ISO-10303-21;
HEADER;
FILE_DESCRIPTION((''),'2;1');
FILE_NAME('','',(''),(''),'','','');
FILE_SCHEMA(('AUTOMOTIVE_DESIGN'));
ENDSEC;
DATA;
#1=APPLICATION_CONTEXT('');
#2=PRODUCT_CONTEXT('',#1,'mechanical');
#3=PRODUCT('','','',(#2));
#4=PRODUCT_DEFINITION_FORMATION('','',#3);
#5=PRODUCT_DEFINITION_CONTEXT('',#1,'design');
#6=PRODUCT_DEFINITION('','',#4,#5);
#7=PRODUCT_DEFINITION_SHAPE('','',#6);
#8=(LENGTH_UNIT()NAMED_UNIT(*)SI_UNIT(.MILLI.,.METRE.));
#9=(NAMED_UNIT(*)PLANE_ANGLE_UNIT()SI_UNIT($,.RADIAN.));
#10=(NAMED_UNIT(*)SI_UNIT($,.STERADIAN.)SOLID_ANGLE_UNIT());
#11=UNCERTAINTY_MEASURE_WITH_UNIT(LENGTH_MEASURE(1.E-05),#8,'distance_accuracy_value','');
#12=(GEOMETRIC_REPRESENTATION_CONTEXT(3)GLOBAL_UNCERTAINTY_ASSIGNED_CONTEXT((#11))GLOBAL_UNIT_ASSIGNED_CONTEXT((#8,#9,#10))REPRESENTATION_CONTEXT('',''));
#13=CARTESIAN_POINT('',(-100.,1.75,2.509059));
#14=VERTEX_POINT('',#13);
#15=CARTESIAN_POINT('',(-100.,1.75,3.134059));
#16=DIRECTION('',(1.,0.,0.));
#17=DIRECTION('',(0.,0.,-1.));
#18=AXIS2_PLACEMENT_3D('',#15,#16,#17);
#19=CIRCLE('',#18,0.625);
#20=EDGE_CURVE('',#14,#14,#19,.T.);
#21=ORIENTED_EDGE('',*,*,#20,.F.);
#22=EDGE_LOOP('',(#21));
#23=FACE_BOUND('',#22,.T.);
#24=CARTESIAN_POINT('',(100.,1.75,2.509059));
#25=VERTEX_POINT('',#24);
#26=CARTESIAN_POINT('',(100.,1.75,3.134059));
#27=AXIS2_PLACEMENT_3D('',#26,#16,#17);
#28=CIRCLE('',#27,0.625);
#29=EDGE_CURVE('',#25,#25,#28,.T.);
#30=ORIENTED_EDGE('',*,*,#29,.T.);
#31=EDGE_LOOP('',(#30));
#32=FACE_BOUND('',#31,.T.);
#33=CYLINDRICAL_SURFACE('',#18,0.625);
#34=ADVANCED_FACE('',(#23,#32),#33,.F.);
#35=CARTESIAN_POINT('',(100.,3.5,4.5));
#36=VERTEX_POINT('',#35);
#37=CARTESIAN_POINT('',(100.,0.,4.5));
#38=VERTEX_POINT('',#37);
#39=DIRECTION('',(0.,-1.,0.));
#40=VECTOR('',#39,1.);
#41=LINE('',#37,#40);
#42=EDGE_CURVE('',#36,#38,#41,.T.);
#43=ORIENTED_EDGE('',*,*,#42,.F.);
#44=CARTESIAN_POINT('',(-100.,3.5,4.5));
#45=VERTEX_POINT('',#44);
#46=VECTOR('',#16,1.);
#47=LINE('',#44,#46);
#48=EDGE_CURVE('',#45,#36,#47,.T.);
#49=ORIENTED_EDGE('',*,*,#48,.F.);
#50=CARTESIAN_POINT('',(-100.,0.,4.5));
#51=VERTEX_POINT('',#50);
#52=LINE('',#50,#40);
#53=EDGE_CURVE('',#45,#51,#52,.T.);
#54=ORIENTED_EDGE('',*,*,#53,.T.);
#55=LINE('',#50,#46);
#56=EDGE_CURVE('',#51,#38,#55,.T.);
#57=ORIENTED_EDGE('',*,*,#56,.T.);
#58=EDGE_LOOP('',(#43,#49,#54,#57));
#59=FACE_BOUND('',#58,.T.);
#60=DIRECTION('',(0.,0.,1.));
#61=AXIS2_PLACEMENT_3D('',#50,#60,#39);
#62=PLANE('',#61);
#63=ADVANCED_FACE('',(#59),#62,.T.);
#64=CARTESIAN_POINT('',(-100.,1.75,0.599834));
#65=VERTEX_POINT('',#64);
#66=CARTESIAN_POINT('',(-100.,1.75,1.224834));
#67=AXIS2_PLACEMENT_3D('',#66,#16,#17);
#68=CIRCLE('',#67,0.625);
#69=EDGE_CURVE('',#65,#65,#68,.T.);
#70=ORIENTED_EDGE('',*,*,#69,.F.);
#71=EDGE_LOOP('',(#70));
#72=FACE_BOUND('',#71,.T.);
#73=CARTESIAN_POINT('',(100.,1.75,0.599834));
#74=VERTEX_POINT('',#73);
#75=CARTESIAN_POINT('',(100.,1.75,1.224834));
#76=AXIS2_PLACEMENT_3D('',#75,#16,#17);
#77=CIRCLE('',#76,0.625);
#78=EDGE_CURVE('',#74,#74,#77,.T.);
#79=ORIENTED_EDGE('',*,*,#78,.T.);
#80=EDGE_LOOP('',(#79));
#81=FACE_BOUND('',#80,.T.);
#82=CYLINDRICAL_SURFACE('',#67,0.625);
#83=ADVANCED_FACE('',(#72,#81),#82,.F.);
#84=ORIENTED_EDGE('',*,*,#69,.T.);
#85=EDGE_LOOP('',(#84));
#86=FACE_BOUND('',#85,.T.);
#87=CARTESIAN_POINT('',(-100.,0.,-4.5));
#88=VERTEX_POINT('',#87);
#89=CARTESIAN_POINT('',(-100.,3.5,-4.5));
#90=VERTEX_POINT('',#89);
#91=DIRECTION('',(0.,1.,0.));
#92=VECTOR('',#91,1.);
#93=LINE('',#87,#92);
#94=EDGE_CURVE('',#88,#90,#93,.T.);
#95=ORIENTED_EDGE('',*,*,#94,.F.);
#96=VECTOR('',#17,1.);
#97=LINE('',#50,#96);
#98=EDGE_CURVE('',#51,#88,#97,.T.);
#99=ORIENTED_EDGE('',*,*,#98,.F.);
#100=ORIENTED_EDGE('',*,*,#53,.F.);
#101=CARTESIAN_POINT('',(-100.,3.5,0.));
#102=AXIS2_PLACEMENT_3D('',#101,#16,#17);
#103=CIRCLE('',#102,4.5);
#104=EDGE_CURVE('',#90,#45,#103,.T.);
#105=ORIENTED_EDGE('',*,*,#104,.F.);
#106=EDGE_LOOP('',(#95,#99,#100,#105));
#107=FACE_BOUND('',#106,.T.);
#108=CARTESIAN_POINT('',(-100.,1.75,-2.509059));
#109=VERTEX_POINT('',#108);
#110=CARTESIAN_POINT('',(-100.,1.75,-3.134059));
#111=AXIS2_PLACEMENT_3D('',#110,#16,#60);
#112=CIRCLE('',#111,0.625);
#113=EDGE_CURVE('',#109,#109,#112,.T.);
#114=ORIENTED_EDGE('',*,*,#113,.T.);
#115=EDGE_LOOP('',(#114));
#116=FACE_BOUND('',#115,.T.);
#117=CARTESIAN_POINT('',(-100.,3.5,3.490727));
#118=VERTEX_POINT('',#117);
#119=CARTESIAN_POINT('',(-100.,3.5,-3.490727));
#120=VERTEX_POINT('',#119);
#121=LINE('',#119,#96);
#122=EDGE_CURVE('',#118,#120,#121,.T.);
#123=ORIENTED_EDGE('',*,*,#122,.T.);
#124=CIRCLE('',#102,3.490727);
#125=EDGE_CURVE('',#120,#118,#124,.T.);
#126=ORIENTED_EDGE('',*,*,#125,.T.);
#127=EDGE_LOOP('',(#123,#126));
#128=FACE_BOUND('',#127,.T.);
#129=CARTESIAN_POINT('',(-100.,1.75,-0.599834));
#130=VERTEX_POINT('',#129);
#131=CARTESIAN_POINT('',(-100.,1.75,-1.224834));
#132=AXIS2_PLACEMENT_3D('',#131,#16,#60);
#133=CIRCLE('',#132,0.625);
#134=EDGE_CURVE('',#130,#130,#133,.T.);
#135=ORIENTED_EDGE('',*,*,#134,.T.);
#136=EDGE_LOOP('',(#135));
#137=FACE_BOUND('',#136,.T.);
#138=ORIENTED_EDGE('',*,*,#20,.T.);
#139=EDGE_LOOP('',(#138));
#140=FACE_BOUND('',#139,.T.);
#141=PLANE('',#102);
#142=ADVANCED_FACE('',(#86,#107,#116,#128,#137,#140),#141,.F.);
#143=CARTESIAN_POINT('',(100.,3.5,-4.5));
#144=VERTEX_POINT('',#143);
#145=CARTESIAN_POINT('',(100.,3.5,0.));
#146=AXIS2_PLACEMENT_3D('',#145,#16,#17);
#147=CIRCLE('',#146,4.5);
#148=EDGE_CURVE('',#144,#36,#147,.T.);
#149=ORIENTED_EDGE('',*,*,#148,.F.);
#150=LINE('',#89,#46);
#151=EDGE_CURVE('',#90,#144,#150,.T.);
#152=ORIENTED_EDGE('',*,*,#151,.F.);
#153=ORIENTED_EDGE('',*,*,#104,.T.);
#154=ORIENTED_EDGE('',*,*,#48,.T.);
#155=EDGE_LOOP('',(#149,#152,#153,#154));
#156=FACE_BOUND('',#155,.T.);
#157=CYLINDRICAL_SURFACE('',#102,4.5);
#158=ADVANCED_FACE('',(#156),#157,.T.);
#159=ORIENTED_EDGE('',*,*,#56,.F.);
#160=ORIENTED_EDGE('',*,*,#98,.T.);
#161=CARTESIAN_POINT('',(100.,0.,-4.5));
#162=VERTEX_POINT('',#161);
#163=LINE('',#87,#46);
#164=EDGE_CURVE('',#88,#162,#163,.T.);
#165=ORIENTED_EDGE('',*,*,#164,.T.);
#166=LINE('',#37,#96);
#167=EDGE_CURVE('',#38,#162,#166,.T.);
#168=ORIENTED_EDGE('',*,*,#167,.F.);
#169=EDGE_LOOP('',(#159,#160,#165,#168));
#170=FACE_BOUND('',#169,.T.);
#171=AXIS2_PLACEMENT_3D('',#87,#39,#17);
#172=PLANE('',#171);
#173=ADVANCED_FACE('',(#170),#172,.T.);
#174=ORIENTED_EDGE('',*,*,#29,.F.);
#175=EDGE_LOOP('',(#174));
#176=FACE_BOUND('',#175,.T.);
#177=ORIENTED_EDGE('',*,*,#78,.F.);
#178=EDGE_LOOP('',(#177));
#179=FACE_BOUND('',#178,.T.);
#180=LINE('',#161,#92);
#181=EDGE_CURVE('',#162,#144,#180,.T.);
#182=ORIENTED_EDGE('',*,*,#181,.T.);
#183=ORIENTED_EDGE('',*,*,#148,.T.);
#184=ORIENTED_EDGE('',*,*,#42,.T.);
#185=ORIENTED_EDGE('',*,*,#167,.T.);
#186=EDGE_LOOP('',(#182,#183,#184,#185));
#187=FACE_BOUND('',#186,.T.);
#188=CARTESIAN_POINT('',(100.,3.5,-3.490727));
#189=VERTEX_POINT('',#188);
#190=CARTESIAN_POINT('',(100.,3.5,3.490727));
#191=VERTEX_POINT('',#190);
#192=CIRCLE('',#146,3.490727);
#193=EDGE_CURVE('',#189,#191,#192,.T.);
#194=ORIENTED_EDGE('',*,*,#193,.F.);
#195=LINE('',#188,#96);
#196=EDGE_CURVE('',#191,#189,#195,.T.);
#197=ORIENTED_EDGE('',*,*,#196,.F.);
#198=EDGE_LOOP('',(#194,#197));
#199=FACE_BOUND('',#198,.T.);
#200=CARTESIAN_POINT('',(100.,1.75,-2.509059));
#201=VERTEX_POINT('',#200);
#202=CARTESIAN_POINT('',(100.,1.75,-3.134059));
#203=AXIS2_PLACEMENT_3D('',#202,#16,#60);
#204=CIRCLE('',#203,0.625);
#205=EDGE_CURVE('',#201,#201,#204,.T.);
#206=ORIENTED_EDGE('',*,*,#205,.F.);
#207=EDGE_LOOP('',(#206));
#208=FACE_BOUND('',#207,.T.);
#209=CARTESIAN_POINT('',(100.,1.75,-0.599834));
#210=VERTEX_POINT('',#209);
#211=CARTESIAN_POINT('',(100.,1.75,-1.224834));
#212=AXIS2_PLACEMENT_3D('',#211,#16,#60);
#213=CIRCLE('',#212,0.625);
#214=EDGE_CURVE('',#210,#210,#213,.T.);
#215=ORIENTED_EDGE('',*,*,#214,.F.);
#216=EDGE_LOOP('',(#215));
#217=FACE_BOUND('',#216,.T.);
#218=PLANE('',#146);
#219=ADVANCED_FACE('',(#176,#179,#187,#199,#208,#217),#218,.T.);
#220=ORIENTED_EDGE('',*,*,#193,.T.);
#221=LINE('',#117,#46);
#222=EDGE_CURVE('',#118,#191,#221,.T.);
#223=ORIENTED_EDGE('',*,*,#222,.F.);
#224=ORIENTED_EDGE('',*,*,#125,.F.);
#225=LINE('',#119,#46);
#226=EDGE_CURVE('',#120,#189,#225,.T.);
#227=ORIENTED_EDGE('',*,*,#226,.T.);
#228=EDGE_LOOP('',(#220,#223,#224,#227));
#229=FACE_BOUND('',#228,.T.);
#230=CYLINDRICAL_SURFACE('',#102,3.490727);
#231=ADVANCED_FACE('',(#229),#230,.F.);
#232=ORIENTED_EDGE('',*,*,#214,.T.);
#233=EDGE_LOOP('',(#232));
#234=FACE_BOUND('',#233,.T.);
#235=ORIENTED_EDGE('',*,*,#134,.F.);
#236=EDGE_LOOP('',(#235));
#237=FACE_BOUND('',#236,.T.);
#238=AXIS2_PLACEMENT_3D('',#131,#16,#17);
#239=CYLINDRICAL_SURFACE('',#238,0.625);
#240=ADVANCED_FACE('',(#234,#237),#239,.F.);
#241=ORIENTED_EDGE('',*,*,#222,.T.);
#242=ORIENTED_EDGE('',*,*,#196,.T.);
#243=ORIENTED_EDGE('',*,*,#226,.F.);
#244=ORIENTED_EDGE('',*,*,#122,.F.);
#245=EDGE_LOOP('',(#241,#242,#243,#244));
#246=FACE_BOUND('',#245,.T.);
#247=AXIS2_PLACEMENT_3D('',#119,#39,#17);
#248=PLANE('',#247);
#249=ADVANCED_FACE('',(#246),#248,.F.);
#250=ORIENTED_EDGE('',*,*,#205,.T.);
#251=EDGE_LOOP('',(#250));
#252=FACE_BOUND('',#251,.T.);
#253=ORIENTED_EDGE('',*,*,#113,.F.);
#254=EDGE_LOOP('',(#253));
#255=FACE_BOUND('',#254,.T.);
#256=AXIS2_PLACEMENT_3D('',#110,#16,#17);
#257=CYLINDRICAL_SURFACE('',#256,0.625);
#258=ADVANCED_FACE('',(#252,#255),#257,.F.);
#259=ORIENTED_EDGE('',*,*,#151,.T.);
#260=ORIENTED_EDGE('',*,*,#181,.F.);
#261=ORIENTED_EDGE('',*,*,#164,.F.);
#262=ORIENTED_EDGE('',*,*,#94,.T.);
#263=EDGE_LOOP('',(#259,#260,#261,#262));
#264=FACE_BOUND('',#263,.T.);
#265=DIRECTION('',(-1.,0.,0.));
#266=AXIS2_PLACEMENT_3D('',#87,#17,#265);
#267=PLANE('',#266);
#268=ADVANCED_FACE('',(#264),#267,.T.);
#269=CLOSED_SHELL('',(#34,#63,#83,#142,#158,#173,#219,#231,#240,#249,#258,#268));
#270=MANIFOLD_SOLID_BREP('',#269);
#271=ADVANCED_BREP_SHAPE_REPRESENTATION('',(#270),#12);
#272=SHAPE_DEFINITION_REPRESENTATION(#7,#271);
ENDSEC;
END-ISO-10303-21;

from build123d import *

# Parameters (mm, degrees)
EXTRUDE_4_DEPTH      = 100
EXTRUDE_4_DEPTH_BACK = 100
SKETCH_1_4_R         = 0.625


with BuildPart() as part:
    # 草图1<4> → 凸台-拉伸4 (new, two sides: drawn at the far end of the back side and taken through both)
    with BuildSketch(Plane(origin=(0, 0, 0), x_dir=(0, 0, -1), z_dir=(1, 0, 0)).offset(-EXTRUDE_4_DEPTH_BACK)):
        with BuildLine():
            Line((-4.5, 0), (0, 0))
            Line((0, 0), (4.5, 0))
            Line((4.5, 0), (4.5, 3.5))
            ThreePointArc((4.5, 3.5), (0, 8), (-4.5, 3.5))
            Line((-4.5, 3.5), (-4.5, 0))
        make_face()
        with Locations((-3.134058813, 1.75)):
            Circle(SKETCH_1_4_R, mode=Mode.SUBTRACT)
        with Locations((-1.224833948, 1.75)):
            Circle(SKETCH_1_4_R, mode=Mode.SUBTRACT)
        with Locations((1.224833948, 1.75)):
            Circle(SKETCH_1_4_R, mode=Mode.SUBTRACT)
        with Locations((3.134058813, 1.75)):
            Circle(SKETCH_1_4_R, mode=Mode.SUBTRACT)
        with BuildLine():
            Line((3.490727195, 3.5), (-3.490727195, 3.5))
            ThreePointArc((-3.490727195, 3.5), (0, 6.990727195), (3.490727195, 3.5))
        make_face(mode=Mode.SUBTRACT)
    extrude(amount=EXTRUDE_4_DEPTH + EXTRUDE_4_DEPTH_BACK)


solid = part.part
